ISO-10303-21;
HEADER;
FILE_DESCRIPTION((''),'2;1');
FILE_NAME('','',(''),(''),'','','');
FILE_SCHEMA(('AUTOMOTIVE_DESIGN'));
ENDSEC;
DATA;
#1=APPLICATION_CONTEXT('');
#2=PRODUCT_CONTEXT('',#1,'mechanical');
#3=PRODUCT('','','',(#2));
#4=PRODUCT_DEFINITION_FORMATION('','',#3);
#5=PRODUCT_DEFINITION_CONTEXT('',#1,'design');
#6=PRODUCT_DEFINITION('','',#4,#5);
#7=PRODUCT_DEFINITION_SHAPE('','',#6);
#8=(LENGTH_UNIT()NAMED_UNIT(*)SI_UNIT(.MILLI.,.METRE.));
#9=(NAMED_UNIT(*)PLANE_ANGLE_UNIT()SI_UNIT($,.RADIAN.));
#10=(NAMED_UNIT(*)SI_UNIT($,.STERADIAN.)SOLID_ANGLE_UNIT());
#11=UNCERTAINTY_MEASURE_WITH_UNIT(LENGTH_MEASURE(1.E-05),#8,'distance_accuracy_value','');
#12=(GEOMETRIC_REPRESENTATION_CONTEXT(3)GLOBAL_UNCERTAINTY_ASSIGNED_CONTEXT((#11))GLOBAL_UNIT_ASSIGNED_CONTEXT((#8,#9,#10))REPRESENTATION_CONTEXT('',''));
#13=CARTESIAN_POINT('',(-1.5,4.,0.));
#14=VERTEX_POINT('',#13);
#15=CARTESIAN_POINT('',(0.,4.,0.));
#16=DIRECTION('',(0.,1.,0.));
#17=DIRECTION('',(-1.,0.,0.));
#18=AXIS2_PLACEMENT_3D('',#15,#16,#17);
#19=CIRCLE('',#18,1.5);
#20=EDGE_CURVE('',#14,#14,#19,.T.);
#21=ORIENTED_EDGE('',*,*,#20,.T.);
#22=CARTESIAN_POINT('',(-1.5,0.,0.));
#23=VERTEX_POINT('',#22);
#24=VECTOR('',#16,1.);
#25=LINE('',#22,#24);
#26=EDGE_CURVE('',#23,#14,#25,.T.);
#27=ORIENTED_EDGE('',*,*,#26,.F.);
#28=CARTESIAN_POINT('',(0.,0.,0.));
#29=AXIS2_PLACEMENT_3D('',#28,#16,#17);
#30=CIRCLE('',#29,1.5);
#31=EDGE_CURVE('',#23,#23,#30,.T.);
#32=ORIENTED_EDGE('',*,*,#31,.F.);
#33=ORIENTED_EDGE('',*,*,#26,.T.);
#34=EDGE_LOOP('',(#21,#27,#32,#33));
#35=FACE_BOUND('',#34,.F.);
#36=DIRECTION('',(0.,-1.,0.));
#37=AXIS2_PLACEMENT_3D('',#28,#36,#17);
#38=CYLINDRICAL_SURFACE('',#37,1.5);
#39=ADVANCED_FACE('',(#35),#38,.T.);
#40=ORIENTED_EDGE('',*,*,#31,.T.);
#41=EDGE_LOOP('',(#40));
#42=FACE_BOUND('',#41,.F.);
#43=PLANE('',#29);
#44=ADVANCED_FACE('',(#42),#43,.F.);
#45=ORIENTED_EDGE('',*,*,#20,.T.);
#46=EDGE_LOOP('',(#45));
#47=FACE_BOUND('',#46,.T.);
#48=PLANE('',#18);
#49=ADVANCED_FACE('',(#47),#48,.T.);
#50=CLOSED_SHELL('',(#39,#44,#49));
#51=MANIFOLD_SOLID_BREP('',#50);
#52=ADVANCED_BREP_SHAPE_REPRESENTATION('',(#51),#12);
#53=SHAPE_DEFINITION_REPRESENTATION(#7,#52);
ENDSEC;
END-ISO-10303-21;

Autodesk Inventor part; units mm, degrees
ref_plane "YZ Plane" through (0, 0, 0) normal (1, 0, 0) x (0, 1, 0)
ref_plane "XZ Plane" through (0, 0, 0) normal (0, 1, 0) x (-1, 0, 0)
ref_plane "XY Plane" through (0, 0, 0) normal (0, 0, 1) x (1, 0, 0)
sketch "Sketch1" plane through (0, 0, 0) normal (0, 1, 0) x (-1, 0, 0)
  circle A0 centre (0, 0) radius 1.5
  dimension "d0" = 3
extrude "Extrusion1" add sketch "Sketch1" along normal blind 4
properties part number "dummy_terminal_wire_cut_4mm"
